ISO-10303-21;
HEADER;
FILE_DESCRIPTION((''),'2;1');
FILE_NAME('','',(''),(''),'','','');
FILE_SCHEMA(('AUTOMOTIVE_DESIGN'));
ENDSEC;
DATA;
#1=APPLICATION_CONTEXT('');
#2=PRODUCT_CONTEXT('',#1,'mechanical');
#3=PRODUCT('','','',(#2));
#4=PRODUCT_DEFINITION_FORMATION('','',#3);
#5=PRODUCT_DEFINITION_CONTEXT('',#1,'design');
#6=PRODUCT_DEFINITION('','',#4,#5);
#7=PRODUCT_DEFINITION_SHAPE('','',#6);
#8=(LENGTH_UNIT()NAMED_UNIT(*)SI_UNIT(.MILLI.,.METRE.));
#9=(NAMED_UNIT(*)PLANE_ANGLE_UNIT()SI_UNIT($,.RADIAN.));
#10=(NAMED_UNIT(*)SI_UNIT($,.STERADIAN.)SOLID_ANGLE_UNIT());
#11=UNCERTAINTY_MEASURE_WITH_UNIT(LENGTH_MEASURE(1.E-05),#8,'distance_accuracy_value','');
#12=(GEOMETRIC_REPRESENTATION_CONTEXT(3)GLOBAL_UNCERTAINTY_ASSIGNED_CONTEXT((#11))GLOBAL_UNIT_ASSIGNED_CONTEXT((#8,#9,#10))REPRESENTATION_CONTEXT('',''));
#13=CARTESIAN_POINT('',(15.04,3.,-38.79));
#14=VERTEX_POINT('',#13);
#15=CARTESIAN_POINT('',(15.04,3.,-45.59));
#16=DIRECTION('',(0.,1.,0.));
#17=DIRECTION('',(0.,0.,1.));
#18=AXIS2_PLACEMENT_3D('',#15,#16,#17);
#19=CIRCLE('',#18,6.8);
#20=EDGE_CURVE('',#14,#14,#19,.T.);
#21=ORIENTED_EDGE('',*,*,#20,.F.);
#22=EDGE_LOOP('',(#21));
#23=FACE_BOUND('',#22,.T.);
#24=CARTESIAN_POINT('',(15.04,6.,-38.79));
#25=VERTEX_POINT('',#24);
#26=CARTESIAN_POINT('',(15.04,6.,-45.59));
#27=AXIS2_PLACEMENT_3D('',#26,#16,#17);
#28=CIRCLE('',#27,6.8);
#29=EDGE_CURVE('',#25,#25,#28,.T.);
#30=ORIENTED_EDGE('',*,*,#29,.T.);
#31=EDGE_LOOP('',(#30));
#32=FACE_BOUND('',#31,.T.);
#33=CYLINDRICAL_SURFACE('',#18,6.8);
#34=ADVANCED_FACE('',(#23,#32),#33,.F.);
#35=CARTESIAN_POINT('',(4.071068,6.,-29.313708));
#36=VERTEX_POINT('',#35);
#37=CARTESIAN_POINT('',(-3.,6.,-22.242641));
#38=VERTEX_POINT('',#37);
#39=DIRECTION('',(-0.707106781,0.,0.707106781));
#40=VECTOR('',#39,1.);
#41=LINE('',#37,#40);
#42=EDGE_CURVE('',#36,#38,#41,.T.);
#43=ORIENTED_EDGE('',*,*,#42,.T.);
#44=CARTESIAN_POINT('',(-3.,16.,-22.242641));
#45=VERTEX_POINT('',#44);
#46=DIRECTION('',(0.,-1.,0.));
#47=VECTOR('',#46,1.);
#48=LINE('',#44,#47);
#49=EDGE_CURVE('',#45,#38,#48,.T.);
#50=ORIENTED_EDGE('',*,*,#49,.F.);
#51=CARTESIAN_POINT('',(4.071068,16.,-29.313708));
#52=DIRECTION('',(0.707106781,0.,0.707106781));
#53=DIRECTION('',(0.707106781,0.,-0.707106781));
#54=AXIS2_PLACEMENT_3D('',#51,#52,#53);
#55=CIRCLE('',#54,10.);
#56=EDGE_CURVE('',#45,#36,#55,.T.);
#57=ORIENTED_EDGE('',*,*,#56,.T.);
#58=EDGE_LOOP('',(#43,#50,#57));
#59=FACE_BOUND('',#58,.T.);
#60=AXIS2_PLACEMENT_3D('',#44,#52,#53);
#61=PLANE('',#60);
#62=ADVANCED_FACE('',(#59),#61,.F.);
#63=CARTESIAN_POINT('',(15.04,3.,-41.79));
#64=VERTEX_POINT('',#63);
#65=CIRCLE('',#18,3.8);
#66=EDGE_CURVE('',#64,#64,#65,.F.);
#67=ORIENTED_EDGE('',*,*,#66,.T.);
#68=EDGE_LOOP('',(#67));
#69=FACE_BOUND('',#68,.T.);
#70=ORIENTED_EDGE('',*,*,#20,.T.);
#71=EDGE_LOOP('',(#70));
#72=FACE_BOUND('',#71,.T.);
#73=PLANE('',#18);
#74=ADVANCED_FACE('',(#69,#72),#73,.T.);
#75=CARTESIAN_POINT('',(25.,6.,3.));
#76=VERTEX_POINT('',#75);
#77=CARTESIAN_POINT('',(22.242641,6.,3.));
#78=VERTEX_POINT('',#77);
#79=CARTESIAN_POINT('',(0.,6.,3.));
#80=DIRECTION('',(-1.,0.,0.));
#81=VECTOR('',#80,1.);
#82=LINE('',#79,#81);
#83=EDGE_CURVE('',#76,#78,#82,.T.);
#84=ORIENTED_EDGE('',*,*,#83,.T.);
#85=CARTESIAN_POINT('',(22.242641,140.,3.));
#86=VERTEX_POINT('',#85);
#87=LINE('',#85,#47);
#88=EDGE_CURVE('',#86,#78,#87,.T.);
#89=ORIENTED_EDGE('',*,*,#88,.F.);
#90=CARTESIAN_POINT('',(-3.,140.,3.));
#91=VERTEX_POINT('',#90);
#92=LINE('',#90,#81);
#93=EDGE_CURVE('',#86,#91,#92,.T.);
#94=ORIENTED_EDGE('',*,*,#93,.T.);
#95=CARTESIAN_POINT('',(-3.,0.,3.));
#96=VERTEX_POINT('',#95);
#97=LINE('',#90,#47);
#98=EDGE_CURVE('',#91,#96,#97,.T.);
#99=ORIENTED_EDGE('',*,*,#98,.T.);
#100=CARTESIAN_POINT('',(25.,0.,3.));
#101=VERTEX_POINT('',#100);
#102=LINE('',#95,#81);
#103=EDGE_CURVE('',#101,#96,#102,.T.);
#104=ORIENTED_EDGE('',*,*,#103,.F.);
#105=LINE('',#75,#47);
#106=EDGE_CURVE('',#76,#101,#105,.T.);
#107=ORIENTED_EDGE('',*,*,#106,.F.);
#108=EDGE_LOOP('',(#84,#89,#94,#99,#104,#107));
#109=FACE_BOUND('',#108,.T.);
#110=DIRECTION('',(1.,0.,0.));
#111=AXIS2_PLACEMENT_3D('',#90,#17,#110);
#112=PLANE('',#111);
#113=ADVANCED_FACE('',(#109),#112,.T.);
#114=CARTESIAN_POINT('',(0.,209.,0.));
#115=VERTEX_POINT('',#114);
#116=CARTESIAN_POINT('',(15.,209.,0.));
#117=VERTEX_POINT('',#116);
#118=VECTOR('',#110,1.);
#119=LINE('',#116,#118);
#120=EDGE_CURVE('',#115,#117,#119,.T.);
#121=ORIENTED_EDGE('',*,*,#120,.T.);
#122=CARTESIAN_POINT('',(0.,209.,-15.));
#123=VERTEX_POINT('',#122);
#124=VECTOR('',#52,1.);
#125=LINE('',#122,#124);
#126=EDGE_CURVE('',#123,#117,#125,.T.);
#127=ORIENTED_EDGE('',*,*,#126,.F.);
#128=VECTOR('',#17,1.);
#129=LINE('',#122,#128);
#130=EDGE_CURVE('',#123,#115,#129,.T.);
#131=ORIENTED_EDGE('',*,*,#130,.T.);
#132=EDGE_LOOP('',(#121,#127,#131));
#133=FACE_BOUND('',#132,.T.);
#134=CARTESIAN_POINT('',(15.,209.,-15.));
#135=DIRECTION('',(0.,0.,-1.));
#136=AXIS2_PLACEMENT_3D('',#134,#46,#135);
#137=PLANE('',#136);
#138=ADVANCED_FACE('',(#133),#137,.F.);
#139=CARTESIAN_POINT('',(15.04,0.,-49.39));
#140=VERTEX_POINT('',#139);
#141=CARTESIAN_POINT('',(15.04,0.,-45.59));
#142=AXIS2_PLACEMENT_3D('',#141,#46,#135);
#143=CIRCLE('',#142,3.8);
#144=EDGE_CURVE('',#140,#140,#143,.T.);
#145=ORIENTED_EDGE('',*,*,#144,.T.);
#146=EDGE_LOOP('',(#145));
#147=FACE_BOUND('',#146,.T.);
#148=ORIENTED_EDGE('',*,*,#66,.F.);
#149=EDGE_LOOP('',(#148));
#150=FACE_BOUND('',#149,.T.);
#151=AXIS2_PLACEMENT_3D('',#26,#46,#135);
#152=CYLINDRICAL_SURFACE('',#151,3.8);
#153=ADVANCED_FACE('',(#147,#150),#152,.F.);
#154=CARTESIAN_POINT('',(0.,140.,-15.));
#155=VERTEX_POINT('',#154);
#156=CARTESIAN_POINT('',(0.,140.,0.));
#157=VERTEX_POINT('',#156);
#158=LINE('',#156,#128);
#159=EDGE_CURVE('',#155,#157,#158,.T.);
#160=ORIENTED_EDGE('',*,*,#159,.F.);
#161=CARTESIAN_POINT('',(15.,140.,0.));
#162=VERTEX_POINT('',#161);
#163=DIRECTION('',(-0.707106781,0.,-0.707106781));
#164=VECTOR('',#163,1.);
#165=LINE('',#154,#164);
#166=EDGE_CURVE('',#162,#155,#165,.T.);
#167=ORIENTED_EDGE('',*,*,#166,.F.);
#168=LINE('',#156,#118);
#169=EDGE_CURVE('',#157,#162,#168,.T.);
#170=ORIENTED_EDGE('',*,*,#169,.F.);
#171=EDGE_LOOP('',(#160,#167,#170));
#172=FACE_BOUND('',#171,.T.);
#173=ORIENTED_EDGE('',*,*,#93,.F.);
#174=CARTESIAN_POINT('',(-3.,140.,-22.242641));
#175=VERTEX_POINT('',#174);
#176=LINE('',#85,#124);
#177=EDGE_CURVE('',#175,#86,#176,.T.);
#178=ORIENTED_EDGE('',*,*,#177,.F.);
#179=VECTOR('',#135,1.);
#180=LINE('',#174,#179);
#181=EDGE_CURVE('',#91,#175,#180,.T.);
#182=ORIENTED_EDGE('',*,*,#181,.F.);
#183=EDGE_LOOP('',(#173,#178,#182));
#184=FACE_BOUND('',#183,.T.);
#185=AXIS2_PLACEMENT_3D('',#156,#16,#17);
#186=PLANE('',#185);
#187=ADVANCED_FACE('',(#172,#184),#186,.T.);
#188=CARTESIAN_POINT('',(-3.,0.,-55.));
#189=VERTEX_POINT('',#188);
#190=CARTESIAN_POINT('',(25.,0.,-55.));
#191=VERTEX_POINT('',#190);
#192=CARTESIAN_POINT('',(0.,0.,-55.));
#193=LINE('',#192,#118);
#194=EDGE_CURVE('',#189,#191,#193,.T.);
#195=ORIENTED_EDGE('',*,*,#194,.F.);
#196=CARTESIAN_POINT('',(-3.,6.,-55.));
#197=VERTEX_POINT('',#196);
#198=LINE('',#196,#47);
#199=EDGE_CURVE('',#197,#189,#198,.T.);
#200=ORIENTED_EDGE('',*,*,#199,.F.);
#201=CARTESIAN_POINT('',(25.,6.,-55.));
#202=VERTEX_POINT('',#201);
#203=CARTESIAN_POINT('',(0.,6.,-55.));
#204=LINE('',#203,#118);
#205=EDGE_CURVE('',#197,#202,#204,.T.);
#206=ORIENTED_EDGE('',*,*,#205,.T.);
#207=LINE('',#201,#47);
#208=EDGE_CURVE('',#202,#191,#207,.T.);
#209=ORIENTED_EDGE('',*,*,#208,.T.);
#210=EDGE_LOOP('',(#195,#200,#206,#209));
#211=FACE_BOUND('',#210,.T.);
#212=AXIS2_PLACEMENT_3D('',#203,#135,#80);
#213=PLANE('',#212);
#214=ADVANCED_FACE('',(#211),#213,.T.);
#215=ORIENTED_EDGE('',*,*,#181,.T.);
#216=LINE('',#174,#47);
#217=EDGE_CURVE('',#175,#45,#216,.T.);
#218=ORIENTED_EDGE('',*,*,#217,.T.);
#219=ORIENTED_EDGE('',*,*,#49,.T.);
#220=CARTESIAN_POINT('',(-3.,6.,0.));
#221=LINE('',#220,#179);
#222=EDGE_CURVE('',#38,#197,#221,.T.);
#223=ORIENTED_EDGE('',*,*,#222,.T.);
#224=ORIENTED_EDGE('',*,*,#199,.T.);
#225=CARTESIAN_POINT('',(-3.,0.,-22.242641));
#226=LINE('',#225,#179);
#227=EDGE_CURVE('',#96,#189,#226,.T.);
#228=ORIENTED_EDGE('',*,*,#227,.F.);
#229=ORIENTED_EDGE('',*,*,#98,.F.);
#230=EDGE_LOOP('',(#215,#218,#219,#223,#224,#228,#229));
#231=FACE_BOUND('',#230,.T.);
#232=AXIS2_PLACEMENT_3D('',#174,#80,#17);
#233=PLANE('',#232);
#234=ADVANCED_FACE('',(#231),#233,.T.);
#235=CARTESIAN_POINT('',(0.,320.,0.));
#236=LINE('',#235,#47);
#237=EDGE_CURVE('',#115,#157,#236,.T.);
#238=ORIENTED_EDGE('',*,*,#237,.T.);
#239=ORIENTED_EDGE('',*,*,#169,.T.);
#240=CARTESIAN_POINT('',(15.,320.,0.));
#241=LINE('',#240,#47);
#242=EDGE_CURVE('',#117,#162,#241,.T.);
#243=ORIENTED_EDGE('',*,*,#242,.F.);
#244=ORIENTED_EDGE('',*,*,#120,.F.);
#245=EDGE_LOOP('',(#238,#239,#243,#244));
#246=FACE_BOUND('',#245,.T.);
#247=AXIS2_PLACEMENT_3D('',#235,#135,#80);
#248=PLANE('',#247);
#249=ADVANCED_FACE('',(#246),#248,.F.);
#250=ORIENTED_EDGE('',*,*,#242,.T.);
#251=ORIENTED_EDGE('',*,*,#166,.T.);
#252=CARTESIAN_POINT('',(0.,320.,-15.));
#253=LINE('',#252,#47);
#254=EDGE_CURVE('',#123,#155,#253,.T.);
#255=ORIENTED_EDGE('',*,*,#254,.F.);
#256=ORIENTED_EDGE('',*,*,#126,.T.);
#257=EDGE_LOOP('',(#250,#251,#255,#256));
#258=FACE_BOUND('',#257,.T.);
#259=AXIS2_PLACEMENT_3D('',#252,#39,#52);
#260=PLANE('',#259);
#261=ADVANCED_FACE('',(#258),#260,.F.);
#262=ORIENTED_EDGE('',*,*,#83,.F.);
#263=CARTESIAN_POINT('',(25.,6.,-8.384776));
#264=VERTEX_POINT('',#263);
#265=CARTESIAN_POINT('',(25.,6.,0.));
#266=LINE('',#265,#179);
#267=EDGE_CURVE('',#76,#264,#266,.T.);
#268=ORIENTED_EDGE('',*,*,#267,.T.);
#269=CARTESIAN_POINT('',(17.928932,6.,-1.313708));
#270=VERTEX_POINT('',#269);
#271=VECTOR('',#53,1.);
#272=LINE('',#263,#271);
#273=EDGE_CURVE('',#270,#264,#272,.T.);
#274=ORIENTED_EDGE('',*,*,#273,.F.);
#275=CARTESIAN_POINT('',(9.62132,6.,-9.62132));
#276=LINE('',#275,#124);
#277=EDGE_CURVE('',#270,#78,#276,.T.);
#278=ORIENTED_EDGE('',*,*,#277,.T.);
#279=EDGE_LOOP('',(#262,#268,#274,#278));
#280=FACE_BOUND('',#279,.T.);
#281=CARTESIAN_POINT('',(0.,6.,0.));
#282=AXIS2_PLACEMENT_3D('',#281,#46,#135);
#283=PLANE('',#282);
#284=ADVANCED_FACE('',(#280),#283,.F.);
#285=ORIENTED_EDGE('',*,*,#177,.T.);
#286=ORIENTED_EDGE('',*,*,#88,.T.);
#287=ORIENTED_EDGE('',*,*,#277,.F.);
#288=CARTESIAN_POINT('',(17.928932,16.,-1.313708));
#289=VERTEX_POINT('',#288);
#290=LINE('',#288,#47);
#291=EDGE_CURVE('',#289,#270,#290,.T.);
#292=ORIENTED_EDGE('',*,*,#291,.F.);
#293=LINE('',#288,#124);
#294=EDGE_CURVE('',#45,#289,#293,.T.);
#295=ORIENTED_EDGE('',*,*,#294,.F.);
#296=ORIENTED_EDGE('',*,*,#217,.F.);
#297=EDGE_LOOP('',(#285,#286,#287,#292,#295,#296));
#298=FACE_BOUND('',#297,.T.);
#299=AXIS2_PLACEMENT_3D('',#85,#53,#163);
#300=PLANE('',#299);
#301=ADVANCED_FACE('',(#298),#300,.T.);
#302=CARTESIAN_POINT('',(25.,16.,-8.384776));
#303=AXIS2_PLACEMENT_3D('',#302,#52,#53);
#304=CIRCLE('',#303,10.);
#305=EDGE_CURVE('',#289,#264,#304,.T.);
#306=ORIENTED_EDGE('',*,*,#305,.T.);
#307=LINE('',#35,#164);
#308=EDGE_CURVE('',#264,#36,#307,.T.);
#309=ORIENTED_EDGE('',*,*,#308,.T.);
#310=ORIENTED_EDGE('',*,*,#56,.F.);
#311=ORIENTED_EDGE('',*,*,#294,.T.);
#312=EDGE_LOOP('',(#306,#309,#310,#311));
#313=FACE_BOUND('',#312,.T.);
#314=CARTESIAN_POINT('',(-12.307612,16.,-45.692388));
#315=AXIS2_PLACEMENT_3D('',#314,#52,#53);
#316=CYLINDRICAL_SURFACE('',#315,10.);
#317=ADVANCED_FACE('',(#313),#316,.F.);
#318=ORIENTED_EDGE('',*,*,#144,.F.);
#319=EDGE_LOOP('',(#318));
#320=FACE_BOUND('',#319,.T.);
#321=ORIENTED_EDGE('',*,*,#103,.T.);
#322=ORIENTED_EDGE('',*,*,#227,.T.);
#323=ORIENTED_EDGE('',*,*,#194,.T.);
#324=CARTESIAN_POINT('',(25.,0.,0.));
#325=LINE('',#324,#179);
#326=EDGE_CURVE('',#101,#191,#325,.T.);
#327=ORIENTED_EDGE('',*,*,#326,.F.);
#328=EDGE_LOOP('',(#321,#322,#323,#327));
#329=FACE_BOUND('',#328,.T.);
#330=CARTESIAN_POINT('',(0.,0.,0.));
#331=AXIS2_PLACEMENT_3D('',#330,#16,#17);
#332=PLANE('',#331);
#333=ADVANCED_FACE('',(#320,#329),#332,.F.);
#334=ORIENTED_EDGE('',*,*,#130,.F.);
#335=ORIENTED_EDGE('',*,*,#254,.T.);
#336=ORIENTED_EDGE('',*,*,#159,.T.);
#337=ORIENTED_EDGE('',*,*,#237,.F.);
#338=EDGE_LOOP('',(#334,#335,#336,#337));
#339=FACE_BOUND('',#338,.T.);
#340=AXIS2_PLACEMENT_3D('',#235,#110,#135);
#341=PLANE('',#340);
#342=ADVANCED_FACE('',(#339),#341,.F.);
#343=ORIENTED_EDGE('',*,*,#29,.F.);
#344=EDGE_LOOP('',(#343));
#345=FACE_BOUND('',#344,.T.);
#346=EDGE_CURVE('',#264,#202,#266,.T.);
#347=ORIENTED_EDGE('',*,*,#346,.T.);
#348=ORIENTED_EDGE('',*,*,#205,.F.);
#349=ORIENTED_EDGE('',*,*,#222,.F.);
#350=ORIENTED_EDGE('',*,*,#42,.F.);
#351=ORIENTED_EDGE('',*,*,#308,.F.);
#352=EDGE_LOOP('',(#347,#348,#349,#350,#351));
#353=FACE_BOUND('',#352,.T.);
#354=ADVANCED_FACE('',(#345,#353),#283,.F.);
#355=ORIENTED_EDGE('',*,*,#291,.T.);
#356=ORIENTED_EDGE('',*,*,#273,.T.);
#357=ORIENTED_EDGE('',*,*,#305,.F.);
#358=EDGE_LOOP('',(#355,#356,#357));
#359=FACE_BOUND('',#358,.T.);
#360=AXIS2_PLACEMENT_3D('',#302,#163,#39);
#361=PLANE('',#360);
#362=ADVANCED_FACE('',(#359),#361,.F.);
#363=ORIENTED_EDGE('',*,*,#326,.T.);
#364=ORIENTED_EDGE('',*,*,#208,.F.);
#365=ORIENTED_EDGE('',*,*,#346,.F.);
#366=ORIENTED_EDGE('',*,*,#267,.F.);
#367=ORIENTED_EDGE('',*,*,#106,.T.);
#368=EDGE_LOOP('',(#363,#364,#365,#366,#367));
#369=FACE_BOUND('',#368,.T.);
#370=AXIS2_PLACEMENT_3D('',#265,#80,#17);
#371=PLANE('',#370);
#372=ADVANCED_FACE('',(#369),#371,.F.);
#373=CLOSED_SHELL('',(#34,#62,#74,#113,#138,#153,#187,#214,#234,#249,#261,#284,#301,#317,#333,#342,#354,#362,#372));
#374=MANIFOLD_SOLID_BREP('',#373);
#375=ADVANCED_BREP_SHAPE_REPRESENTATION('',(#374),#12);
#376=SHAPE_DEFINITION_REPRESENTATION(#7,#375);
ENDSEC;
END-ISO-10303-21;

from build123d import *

# Parameters (mm, degrees)
BOSS_EXTRUDE3_DEPTH = 320
SKETCH7_W           = 15
SKETCH7_H           = 111
CUT_EXTRUDE3_DEPTH  = 321.702354216
BOSS_EXTRUDE5_DEPTH = 140
SKETCH4_R           = 3.8
BOSS_EXTRUDE4_DEPTH = 6
BOSS_EXTRUDE6_DEPTH = 10
CUT_EXTRUDE4_DEPTH  = 220.0148158
SKETCH11_R          = 6.8
CUT_EXTRUDE5_DEPTH  = 3


with BuildPart() as part:
    # Sketch1 → Boss-Extrude3 (new body)
    with BuildSketch(Plane(origin=(0, 0, 0), x_dir=(1, 0, 0), z_dir=(0, 1, 0))):
        Polygon((0, 0), (0, 15), (15, 0), align=None)
    extrude(amount=BOSS_EXTRUDE3_DEPTH)

    # Sketch7 → Cut-Extrude3 (cut, through all)
    with BuildSketch(Plane.XY):
        with Locations((7.5, 264.5)):
            Rectangle(SKETCH7_W, SKETCH7_H)
    extrude(amount=-CUT_EXTRUDE3_DEPTH, mode=Mode.SUBTRACT)

    # Sketch8 → Boss-Extrude5 (add)
    with BuildSketch(Plane.XZ):
        Polygon((-3, -22.242640687), (-3, 3), (22.242640687, 3), align=None)
    extrude(amount=-BOSS_EXTRUDE5_DEPTH)

    # Sketch4 → Boss-Extrude4 (add)
    with BuildSketch(Plane.XZ):
        Polygon((0, -55), (25, -55), (25, 3), (22.242640687, 3), (-3, -22.242640687), (-3, -55), align=None)
        with Locations(Location((15.04, -45.59, 0), (0, 0, 270))):
            Circle(SKETCH4_R, mode=Mode.SUBTRACT)
    extrude(amount=-BOSS_EXTRUDE4_DEPTH)

    # Sketch9 → Boss-Extrude6 (add)
    with BuildSketch(Plane(origin=(0, 6, 0), x_dir=(1, 0, 0), z_dir=(0, 1, 0))):
        Polygon((-3, 22.242640687), (4.071067812, 29.313708499), (25, 8.384776311), (17.928932188, 1.313708499), align=None)
    extrude(amount=BOSS_EXTRUDE6_DEPTH)

    # Sketch10 → Cut-Extrude4 (cut, through all)
    with BuildSketch(Plane(origin=(8.307611845, 0, 8.307611845), x_dir=(0.7071067811865479, 0, -0.7071067811865471), z_dir=(0.7071067811865471, 0, 0.7071067811865479))):
        with BuildLine():
            Line((13.606601718, 16), (23.606601718, 16))
            Line((23.606601718, 16), (23.606601718, 6))
            ThreePointArc((23.606601718, 6), (16.535533906, 8.928932188), (13.606601718, 16))
        make_face()
    extrude(amount=-CUT_EXTRUDE4_DEPTH, mode=Mode.SUBTRACT)

    # Sketch11 → Cut-Extrude5 (cut)
    with BuildSketch(Plane(origin=(0, 6, 0), x_dir=(1, 0, 0), z_dir=(0, 1, 0))):
        with Locations(Location((15.04, 45.59, 0), (0, 0, 270))):
            Circle(SKETCH11_R)
    extrude(amount=-CUT_EXTRUDE5_DEPTH, mode=Mode.SUBTRACT)


solid = part.part
